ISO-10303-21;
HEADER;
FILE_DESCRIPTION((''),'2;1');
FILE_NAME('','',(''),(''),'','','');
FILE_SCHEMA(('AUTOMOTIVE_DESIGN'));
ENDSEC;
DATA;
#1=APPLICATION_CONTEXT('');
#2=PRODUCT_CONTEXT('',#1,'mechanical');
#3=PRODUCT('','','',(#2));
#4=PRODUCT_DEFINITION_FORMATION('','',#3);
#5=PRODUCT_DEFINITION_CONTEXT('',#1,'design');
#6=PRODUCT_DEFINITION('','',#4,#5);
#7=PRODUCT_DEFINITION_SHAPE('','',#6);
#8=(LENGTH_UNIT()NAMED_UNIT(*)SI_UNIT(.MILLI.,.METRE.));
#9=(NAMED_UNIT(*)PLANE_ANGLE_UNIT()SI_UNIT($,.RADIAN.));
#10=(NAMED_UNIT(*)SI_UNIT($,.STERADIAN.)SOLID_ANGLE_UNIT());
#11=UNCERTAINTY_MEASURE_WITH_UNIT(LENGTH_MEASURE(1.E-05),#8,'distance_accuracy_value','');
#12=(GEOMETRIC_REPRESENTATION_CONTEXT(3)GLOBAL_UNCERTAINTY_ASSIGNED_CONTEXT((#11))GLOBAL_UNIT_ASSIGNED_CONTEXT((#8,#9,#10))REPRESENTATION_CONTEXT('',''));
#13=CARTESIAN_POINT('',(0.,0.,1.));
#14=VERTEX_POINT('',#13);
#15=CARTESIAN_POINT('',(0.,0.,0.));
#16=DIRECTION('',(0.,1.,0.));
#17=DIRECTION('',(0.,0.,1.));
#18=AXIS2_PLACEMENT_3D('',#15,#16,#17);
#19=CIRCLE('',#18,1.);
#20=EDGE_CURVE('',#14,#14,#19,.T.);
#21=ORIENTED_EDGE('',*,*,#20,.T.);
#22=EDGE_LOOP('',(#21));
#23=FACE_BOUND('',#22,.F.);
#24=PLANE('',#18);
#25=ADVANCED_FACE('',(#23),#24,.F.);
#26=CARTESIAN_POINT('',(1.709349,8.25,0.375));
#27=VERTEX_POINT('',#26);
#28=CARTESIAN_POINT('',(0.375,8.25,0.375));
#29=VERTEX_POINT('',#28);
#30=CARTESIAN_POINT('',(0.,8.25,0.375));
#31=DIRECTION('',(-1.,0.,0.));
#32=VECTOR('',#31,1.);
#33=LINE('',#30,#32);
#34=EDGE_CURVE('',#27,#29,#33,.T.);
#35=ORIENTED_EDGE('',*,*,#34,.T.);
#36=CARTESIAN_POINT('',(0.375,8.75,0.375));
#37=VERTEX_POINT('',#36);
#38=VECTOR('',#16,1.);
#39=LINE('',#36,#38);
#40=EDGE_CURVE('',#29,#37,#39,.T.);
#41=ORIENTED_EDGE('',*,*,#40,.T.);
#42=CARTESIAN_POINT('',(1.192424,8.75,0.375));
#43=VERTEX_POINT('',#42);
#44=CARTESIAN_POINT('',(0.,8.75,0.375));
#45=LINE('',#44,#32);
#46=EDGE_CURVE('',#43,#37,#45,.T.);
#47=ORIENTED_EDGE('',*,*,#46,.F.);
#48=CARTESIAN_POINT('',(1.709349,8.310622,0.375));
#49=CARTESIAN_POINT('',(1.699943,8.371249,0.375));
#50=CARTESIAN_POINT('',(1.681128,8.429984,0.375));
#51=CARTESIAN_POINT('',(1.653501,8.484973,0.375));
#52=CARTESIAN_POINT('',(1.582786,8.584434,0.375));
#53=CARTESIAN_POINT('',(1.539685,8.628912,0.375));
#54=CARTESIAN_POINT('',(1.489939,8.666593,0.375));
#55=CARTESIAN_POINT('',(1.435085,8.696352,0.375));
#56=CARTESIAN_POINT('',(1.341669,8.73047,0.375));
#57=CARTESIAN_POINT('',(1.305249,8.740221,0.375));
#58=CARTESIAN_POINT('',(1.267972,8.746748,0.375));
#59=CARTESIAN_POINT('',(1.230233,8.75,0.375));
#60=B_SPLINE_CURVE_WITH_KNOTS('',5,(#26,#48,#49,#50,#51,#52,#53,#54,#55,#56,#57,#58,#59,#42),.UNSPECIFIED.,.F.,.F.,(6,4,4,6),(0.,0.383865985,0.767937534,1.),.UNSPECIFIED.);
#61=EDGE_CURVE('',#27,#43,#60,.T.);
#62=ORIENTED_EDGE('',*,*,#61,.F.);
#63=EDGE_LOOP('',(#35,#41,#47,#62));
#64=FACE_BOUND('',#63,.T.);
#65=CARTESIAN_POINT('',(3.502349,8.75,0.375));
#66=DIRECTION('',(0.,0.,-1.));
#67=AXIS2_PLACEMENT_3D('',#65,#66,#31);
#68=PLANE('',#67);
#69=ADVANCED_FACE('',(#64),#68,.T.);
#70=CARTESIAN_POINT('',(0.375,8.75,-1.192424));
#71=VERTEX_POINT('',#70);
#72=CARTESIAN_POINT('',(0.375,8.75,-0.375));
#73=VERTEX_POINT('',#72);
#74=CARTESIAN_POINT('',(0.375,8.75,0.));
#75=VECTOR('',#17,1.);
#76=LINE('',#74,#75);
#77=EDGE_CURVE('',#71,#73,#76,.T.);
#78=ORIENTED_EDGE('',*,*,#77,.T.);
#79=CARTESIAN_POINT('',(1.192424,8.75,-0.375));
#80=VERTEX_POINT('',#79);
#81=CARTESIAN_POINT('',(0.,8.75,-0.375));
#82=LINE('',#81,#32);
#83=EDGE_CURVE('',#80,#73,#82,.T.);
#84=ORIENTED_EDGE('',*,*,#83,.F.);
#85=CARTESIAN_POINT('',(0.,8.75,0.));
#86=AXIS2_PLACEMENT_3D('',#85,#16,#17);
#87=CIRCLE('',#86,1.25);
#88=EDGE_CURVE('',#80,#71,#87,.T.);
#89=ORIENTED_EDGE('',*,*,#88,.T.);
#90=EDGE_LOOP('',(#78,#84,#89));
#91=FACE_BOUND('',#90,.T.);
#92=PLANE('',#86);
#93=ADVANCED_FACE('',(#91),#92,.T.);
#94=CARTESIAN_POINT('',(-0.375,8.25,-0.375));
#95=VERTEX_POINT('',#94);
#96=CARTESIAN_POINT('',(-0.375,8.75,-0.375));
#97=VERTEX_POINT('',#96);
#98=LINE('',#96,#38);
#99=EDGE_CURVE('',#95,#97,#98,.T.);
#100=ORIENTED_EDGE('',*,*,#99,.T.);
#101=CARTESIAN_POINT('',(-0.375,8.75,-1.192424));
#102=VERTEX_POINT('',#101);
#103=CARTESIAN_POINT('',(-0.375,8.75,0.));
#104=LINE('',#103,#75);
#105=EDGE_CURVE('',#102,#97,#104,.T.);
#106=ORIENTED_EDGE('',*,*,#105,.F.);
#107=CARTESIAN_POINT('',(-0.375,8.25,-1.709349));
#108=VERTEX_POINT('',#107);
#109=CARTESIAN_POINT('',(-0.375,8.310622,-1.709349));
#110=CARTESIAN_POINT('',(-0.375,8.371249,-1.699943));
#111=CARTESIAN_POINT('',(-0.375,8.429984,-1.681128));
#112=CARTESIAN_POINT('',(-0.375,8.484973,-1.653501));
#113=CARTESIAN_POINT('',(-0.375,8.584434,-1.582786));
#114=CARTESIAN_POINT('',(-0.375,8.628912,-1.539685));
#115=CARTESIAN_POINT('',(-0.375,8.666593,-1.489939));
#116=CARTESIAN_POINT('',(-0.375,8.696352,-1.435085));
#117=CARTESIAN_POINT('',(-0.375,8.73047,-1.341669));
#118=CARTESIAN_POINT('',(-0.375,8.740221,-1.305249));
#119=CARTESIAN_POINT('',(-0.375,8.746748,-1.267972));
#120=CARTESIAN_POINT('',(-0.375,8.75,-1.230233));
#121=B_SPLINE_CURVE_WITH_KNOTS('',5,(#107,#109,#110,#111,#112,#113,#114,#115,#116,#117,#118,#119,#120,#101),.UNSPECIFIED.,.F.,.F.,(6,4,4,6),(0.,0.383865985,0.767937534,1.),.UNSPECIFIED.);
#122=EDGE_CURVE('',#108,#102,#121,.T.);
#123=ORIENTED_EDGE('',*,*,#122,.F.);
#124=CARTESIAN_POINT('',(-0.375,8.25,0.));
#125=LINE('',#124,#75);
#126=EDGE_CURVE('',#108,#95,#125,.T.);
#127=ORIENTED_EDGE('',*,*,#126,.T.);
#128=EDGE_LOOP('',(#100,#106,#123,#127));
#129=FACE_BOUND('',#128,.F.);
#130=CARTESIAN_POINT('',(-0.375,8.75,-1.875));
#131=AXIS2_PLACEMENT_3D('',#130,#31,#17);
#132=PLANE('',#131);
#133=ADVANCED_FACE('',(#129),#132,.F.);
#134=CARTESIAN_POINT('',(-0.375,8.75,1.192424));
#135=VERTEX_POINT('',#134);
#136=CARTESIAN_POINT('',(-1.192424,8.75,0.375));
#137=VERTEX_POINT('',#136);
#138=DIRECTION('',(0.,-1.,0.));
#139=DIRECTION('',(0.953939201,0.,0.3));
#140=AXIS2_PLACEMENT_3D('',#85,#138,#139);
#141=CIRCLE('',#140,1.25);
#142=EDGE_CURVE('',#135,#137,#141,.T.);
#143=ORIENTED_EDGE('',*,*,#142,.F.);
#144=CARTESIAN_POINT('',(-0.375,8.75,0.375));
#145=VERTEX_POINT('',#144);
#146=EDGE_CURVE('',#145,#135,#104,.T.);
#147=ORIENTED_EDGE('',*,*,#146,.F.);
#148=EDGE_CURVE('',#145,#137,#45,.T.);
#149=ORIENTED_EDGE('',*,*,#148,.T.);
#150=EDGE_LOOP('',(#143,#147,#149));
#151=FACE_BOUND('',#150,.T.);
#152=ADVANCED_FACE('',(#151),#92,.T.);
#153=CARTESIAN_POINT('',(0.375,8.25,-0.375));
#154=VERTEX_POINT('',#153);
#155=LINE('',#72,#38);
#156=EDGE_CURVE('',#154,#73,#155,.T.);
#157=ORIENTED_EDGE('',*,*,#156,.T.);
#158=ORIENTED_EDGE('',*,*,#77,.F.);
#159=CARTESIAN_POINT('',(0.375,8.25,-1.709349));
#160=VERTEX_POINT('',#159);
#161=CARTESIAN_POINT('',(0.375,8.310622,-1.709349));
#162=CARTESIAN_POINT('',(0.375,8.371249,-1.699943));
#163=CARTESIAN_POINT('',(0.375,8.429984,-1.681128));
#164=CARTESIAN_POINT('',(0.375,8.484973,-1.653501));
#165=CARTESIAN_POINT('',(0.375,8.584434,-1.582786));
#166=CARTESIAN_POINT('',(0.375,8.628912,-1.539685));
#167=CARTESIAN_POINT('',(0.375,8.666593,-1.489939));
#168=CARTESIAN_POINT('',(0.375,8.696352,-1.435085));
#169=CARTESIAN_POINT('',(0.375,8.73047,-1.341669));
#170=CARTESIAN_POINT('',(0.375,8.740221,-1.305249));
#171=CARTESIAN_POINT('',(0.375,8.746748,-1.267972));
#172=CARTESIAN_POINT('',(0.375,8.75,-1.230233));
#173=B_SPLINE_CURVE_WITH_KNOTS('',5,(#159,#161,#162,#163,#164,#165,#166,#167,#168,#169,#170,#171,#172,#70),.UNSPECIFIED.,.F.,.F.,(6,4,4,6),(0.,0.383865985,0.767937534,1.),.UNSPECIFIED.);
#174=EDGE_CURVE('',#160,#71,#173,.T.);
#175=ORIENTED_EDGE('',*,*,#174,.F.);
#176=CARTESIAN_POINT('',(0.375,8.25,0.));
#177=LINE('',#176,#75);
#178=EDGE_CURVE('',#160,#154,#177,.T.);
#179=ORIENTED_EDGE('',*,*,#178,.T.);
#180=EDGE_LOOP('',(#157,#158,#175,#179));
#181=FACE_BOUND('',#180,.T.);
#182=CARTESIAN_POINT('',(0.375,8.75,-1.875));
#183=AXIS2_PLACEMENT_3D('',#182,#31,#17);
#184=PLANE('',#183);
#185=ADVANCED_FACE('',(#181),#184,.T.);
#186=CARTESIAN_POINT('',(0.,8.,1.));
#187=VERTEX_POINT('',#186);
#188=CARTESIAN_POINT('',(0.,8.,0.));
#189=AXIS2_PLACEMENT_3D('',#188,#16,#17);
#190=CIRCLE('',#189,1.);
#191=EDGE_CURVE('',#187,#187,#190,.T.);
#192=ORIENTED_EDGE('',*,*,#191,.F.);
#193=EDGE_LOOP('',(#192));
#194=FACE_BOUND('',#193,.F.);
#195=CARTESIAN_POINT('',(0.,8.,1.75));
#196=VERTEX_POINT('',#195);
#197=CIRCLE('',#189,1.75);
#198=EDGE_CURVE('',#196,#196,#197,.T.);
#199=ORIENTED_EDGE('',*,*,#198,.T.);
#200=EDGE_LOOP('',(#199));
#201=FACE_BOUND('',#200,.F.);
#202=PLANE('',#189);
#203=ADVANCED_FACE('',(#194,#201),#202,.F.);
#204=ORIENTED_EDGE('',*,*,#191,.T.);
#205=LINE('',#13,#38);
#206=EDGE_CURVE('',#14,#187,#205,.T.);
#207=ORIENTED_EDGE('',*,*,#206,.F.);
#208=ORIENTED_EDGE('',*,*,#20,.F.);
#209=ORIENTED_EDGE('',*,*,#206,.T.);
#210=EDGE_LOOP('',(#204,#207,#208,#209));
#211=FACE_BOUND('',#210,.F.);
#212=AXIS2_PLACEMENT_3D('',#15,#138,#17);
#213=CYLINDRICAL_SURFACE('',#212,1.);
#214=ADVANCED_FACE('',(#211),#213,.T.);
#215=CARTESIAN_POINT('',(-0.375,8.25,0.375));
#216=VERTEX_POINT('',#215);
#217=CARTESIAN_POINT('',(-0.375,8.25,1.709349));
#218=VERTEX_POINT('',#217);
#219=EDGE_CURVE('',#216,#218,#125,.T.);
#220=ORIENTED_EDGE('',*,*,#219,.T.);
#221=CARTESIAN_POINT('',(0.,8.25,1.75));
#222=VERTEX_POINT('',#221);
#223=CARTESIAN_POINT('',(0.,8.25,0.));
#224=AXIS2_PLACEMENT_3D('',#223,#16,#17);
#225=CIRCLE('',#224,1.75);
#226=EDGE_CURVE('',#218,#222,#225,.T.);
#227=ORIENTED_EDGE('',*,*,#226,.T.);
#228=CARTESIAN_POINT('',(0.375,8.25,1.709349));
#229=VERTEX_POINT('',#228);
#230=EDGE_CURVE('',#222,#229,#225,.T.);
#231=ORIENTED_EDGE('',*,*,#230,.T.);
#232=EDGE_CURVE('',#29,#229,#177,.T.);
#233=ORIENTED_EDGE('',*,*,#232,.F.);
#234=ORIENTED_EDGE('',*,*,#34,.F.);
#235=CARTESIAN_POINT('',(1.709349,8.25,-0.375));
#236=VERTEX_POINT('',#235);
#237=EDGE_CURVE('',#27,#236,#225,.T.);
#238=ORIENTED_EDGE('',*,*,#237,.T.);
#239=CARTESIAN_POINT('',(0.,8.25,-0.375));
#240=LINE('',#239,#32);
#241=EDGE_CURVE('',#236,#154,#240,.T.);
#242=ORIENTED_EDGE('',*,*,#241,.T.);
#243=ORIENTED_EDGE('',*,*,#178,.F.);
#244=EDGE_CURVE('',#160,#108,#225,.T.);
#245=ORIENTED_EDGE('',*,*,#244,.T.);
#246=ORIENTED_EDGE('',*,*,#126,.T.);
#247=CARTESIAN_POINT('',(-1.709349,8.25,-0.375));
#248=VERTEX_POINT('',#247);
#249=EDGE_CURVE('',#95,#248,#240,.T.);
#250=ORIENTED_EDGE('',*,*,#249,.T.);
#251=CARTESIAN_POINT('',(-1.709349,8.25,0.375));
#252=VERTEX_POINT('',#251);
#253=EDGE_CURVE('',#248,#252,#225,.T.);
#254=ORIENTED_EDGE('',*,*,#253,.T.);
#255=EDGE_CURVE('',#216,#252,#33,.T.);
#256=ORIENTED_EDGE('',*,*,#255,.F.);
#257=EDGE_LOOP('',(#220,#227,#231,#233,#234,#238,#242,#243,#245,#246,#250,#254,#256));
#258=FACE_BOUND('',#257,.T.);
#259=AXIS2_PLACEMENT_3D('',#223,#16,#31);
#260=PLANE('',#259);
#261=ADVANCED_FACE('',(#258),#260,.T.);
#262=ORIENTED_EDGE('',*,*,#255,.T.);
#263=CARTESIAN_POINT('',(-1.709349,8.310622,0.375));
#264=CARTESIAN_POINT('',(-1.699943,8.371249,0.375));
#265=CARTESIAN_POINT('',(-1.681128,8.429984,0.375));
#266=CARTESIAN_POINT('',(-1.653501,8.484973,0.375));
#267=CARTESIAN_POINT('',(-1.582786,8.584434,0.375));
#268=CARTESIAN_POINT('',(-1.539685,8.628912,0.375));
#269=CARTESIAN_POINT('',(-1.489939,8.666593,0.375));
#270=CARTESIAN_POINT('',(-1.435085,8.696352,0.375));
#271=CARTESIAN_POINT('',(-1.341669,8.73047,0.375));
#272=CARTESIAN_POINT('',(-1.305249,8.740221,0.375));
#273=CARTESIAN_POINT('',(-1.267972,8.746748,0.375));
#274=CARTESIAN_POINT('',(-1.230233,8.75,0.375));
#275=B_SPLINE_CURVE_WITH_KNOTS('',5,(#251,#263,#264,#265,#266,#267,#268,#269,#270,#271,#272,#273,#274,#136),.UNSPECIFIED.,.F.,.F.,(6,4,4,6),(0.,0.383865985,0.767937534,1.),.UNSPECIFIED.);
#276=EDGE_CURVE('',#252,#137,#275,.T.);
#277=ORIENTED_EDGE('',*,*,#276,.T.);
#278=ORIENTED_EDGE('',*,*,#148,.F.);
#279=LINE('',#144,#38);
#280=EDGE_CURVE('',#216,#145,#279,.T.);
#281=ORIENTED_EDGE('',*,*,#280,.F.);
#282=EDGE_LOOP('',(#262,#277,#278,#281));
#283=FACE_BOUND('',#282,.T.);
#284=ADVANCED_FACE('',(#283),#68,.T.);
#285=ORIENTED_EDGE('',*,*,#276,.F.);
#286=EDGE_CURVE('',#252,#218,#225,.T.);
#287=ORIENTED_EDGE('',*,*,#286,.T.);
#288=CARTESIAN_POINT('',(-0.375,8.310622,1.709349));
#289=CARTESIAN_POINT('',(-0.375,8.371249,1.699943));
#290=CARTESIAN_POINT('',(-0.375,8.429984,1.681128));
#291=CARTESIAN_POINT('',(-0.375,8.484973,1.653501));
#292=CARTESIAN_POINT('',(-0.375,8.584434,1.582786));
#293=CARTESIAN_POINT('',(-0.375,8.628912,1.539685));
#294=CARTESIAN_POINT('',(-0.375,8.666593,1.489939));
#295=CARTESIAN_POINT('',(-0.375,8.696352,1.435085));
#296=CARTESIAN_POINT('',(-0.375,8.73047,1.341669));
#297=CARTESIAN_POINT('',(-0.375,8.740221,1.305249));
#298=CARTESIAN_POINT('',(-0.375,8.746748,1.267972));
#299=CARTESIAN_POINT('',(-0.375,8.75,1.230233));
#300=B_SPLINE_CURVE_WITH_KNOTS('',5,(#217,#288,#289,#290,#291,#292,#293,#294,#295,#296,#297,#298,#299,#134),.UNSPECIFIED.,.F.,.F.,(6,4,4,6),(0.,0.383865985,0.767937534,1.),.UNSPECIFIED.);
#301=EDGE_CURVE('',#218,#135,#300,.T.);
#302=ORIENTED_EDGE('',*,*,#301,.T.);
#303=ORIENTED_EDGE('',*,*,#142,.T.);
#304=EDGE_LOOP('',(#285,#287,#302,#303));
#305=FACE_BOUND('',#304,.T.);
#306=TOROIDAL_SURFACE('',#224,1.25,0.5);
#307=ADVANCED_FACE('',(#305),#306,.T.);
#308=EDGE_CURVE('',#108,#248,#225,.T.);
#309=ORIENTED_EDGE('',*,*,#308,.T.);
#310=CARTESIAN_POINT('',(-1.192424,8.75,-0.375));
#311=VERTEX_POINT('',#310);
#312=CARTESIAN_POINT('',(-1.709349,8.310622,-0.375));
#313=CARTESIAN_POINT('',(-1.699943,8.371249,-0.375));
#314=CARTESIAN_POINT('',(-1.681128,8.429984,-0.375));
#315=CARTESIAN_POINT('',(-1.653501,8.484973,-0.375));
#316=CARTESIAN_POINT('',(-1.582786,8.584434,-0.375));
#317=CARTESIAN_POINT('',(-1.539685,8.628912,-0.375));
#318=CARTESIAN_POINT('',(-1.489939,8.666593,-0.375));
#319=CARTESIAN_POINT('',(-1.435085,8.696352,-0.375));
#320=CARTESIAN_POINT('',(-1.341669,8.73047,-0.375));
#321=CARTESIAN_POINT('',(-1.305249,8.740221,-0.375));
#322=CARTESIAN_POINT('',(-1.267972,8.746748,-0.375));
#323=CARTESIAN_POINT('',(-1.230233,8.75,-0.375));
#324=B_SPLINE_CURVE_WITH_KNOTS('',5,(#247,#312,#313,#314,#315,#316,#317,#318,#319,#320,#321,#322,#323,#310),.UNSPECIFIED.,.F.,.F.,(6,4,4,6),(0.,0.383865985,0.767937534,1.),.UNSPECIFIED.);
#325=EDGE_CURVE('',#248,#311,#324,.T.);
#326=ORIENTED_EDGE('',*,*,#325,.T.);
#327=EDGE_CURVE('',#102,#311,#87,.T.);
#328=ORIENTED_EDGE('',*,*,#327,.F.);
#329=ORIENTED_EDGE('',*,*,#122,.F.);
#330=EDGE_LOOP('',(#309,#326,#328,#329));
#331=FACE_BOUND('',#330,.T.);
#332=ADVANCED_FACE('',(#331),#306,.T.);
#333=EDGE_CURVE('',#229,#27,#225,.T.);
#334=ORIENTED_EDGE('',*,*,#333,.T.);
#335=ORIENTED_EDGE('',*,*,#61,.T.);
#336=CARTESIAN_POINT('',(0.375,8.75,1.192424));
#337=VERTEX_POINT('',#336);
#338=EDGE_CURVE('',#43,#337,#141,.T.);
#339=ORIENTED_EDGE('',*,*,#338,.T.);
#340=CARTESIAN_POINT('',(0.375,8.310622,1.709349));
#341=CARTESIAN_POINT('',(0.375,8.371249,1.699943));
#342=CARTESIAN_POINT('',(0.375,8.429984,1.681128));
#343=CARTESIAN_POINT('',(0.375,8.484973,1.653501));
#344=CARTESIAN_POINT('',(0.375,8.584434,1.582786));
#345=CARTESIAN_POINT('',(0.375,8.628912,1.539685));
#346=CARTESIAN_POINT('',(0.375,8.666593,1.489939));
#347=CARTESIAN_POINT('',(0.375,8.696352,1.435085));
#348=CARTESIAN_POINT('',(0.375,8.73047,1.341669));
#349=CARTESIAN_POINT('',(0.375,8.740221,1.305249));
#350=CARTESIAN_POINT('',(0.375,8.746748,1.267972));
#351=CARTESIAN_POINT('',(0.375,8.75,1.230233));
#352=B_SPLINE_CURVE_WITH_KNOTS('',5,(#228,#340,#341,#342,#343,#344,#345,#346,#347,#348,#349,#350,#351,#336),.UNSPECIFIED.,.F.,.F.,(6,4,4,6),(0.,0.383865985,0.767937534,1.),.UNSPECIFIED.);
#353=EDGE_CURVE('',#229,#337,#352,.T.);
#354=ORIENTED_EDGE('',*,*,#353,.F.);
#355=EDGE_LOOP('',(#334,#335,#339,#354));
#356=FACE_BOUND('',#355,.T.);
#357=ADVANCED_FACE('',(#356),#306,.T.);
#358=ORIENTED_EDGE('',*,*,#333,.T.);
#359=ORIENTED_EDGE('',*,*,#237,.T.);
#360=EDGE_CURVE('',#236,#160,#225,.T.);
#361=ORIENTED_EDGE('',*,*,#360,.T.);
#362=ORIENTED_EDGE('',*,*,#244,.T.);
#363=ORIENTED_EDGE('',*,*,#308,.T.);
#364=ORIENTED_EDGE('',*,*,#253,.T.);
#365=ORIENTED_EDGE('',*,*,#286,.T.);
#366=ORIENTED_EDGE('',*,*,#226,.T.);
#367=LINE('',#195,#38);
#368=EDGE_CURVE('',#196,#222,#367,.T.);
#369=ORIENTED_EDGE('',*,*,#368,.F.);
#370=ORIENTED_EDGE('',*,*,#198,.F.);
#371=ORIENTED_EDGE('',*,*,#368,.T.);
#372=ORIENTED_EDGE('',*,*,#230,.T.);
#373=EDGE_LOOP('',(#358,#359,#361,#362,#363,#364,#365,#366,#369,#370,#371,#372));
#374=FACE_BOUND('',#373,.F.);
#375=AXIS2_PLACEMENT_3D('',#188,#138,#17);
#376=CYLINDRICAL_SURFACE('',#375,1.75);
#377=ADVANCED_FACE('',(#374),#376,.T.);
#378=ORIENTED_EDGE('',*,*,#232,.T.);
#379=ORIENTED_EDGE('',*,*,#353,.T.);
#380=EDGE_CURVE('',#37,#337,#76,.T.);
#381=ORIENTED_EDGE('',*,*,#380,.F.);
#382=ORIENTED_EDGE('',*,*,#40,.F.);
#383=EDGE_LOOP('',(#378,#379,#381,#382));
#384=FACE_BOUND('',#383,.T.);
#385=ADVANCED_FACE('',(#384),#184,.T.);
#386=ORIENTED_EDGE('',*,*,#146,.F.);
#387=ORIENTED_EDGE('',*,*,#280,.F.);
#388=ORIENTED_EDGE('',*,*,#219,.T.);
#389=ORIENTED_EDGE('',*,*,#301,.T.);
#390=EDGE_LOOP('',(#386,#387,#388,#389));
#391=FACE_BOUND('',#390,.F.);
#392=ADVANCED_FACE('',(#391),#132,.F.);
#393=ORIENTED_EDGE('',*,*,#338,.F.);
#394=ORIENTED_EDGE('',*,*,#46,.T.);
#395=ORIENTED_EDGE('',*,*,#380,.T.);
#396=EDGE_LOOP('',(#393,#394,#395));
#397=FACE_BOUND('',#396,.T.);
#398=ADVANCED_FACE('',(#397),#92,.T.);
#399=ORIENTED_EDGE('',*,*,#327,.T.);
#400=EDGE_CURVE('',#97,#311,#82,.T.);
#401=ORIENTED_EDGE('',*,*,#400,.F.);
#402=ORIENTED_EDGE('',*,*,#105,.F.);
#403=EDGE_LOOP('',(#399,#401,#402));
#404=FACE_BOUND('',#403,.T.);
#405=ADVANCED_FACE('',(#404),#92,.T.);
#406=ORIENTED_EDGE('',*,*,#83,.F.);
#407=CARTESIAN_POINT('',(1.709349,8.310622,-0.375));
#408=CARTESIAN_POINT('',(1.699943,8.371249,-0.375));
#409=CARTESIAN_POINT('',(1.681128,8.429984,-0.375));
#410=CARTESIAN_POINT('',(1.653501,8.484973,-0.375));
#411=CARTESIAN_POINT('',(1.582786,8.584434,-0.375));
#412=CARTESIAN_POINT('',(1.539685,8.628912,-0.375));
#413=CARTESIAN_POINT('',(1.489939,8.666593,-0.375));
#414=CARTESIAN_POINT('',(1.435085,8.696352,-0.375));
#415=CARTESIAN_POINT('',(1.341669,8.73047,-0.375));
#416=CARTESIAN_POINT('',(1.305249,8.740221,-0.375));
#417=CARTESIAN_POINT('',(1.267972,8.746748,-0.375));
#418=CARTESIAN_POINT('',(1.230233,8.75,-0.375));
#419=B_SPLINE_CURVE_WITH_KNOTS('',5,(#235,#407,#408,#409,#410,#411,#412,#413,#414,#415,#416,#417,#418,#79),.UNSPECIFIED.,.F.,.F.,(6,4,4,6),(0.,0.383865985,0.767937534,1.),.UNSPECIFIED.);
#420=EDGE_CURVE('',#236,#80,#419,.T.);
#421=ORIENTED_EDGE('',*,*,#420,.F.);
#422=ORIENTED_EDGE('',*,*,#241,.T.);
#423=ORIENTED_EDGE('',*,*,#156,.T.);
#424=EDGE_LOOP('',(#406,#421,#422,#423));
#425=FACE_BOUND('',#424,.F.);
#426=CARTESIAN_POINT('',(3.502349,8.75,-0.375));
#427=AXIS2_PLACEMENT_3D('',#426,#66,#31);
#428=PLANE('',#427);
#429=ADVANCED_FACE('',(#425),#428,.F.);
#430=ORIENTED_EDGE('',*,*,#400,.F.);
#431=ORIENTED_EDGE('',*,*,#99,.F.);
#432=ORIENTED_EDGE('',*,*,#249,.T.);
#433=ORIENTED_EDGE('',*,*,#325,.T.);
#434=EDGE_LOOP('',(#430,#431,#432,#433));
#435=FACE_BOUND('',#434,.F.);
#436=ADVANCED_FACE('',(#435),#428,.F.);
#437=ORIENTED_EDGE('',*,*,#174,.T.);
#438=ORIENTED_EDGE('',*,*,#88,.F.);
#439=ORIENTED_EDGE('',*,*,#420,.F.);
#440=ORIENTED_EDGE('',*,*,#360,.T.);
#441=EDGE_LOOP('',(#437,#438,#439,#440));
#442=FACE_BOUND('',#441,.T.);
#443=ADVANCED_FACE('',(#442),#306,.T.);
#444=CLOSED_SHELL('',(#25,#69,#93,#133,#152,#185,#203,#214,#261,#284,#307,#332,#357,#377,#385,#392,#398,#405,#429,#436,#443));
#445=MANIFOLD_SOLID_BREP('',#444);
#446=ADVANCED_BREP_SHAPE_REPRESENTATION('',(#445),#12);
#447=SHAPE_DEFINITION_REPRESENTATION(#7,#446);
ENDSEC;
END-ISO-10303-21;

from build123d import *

# Parameters (mm, degrees)
SKETCH_1_R          = 1
EXTRUDE_1_DEPTH     = 8
SKETCH_2_R          = 1.75
EXTRUDE_2_DEPTH     = 0.75
FILLET_1_R          = 0.5
SKETCH_3_W          = 7.004697232
SKETCH_3_H          = 0.75
CUT_EXTRUDE_1_DEPTH = 0.5
SKETCH_4_W          = 0.75
SKETCH_4_H          = 3.75
CUT_EXTRUDE_2_DEPTH = 0.5


with BuildPart() as part:
    # 草图1 → 拉伸1 (new body)
    with BuildSketch(Plane(origin=(0, 0, 0), x_dir=(1, 0, 0), z_dir=(0, 1, 0))):
        with Locations(Location((0, 0, 0), (0, 0, 270))):
            Circle(SKETCH_1_R)
    extrude(amount=EXTRUDE_1_DEPTH)

    # 草图2 → 拉伸2 (add)
    with BuildSketch(Plane(origin=(0, 8, 0), x_dir=(-1, 0, 0), z_dir=(0, 1, 0))):
        with Locations(Location((0, 0, 0), (0, 0, 90))):
            Circle(SKETCH_2_R)
    extrude(amount=EXTRUDE_2_DEPTH)

    # 圆角1
    fillet_1_edges = [part.edges().sort_by_distance(p)[0] for p in [
        (0, 8.75, -1.75),
    ]]
    fillet(fillet_1_edges, radius=FILLET_1_R)

    # 草图3 → 切除-拉伸1 (cut)
    with BuildSketch(Plane(origin=(0, 8.75, 0), x_dir=(-1, 0, 0), z_dir=(0, 1, 0))):
        Rectangle(SKETCH_3_W, SKETCH_3_H)
    extrude(amount=-CUT_EXTRUDE_1_DEPTH, mode=Mode.SUBTRACT)

    # 草图4 → 切除-拉伸2 (cut)
    with BuildSketch(Plane(origin=(0, 8.75, 0), x_dir=(-1, 0, 0), z_dir=(0, 1, 0))):
        Rectangle(SKETCH_4_W, SKETCH_4_H)
    extrude(amount=-CUT_EXTRUDE_2_DEPTH, mode=Mode.SUBTRACT)


solid = part.part
